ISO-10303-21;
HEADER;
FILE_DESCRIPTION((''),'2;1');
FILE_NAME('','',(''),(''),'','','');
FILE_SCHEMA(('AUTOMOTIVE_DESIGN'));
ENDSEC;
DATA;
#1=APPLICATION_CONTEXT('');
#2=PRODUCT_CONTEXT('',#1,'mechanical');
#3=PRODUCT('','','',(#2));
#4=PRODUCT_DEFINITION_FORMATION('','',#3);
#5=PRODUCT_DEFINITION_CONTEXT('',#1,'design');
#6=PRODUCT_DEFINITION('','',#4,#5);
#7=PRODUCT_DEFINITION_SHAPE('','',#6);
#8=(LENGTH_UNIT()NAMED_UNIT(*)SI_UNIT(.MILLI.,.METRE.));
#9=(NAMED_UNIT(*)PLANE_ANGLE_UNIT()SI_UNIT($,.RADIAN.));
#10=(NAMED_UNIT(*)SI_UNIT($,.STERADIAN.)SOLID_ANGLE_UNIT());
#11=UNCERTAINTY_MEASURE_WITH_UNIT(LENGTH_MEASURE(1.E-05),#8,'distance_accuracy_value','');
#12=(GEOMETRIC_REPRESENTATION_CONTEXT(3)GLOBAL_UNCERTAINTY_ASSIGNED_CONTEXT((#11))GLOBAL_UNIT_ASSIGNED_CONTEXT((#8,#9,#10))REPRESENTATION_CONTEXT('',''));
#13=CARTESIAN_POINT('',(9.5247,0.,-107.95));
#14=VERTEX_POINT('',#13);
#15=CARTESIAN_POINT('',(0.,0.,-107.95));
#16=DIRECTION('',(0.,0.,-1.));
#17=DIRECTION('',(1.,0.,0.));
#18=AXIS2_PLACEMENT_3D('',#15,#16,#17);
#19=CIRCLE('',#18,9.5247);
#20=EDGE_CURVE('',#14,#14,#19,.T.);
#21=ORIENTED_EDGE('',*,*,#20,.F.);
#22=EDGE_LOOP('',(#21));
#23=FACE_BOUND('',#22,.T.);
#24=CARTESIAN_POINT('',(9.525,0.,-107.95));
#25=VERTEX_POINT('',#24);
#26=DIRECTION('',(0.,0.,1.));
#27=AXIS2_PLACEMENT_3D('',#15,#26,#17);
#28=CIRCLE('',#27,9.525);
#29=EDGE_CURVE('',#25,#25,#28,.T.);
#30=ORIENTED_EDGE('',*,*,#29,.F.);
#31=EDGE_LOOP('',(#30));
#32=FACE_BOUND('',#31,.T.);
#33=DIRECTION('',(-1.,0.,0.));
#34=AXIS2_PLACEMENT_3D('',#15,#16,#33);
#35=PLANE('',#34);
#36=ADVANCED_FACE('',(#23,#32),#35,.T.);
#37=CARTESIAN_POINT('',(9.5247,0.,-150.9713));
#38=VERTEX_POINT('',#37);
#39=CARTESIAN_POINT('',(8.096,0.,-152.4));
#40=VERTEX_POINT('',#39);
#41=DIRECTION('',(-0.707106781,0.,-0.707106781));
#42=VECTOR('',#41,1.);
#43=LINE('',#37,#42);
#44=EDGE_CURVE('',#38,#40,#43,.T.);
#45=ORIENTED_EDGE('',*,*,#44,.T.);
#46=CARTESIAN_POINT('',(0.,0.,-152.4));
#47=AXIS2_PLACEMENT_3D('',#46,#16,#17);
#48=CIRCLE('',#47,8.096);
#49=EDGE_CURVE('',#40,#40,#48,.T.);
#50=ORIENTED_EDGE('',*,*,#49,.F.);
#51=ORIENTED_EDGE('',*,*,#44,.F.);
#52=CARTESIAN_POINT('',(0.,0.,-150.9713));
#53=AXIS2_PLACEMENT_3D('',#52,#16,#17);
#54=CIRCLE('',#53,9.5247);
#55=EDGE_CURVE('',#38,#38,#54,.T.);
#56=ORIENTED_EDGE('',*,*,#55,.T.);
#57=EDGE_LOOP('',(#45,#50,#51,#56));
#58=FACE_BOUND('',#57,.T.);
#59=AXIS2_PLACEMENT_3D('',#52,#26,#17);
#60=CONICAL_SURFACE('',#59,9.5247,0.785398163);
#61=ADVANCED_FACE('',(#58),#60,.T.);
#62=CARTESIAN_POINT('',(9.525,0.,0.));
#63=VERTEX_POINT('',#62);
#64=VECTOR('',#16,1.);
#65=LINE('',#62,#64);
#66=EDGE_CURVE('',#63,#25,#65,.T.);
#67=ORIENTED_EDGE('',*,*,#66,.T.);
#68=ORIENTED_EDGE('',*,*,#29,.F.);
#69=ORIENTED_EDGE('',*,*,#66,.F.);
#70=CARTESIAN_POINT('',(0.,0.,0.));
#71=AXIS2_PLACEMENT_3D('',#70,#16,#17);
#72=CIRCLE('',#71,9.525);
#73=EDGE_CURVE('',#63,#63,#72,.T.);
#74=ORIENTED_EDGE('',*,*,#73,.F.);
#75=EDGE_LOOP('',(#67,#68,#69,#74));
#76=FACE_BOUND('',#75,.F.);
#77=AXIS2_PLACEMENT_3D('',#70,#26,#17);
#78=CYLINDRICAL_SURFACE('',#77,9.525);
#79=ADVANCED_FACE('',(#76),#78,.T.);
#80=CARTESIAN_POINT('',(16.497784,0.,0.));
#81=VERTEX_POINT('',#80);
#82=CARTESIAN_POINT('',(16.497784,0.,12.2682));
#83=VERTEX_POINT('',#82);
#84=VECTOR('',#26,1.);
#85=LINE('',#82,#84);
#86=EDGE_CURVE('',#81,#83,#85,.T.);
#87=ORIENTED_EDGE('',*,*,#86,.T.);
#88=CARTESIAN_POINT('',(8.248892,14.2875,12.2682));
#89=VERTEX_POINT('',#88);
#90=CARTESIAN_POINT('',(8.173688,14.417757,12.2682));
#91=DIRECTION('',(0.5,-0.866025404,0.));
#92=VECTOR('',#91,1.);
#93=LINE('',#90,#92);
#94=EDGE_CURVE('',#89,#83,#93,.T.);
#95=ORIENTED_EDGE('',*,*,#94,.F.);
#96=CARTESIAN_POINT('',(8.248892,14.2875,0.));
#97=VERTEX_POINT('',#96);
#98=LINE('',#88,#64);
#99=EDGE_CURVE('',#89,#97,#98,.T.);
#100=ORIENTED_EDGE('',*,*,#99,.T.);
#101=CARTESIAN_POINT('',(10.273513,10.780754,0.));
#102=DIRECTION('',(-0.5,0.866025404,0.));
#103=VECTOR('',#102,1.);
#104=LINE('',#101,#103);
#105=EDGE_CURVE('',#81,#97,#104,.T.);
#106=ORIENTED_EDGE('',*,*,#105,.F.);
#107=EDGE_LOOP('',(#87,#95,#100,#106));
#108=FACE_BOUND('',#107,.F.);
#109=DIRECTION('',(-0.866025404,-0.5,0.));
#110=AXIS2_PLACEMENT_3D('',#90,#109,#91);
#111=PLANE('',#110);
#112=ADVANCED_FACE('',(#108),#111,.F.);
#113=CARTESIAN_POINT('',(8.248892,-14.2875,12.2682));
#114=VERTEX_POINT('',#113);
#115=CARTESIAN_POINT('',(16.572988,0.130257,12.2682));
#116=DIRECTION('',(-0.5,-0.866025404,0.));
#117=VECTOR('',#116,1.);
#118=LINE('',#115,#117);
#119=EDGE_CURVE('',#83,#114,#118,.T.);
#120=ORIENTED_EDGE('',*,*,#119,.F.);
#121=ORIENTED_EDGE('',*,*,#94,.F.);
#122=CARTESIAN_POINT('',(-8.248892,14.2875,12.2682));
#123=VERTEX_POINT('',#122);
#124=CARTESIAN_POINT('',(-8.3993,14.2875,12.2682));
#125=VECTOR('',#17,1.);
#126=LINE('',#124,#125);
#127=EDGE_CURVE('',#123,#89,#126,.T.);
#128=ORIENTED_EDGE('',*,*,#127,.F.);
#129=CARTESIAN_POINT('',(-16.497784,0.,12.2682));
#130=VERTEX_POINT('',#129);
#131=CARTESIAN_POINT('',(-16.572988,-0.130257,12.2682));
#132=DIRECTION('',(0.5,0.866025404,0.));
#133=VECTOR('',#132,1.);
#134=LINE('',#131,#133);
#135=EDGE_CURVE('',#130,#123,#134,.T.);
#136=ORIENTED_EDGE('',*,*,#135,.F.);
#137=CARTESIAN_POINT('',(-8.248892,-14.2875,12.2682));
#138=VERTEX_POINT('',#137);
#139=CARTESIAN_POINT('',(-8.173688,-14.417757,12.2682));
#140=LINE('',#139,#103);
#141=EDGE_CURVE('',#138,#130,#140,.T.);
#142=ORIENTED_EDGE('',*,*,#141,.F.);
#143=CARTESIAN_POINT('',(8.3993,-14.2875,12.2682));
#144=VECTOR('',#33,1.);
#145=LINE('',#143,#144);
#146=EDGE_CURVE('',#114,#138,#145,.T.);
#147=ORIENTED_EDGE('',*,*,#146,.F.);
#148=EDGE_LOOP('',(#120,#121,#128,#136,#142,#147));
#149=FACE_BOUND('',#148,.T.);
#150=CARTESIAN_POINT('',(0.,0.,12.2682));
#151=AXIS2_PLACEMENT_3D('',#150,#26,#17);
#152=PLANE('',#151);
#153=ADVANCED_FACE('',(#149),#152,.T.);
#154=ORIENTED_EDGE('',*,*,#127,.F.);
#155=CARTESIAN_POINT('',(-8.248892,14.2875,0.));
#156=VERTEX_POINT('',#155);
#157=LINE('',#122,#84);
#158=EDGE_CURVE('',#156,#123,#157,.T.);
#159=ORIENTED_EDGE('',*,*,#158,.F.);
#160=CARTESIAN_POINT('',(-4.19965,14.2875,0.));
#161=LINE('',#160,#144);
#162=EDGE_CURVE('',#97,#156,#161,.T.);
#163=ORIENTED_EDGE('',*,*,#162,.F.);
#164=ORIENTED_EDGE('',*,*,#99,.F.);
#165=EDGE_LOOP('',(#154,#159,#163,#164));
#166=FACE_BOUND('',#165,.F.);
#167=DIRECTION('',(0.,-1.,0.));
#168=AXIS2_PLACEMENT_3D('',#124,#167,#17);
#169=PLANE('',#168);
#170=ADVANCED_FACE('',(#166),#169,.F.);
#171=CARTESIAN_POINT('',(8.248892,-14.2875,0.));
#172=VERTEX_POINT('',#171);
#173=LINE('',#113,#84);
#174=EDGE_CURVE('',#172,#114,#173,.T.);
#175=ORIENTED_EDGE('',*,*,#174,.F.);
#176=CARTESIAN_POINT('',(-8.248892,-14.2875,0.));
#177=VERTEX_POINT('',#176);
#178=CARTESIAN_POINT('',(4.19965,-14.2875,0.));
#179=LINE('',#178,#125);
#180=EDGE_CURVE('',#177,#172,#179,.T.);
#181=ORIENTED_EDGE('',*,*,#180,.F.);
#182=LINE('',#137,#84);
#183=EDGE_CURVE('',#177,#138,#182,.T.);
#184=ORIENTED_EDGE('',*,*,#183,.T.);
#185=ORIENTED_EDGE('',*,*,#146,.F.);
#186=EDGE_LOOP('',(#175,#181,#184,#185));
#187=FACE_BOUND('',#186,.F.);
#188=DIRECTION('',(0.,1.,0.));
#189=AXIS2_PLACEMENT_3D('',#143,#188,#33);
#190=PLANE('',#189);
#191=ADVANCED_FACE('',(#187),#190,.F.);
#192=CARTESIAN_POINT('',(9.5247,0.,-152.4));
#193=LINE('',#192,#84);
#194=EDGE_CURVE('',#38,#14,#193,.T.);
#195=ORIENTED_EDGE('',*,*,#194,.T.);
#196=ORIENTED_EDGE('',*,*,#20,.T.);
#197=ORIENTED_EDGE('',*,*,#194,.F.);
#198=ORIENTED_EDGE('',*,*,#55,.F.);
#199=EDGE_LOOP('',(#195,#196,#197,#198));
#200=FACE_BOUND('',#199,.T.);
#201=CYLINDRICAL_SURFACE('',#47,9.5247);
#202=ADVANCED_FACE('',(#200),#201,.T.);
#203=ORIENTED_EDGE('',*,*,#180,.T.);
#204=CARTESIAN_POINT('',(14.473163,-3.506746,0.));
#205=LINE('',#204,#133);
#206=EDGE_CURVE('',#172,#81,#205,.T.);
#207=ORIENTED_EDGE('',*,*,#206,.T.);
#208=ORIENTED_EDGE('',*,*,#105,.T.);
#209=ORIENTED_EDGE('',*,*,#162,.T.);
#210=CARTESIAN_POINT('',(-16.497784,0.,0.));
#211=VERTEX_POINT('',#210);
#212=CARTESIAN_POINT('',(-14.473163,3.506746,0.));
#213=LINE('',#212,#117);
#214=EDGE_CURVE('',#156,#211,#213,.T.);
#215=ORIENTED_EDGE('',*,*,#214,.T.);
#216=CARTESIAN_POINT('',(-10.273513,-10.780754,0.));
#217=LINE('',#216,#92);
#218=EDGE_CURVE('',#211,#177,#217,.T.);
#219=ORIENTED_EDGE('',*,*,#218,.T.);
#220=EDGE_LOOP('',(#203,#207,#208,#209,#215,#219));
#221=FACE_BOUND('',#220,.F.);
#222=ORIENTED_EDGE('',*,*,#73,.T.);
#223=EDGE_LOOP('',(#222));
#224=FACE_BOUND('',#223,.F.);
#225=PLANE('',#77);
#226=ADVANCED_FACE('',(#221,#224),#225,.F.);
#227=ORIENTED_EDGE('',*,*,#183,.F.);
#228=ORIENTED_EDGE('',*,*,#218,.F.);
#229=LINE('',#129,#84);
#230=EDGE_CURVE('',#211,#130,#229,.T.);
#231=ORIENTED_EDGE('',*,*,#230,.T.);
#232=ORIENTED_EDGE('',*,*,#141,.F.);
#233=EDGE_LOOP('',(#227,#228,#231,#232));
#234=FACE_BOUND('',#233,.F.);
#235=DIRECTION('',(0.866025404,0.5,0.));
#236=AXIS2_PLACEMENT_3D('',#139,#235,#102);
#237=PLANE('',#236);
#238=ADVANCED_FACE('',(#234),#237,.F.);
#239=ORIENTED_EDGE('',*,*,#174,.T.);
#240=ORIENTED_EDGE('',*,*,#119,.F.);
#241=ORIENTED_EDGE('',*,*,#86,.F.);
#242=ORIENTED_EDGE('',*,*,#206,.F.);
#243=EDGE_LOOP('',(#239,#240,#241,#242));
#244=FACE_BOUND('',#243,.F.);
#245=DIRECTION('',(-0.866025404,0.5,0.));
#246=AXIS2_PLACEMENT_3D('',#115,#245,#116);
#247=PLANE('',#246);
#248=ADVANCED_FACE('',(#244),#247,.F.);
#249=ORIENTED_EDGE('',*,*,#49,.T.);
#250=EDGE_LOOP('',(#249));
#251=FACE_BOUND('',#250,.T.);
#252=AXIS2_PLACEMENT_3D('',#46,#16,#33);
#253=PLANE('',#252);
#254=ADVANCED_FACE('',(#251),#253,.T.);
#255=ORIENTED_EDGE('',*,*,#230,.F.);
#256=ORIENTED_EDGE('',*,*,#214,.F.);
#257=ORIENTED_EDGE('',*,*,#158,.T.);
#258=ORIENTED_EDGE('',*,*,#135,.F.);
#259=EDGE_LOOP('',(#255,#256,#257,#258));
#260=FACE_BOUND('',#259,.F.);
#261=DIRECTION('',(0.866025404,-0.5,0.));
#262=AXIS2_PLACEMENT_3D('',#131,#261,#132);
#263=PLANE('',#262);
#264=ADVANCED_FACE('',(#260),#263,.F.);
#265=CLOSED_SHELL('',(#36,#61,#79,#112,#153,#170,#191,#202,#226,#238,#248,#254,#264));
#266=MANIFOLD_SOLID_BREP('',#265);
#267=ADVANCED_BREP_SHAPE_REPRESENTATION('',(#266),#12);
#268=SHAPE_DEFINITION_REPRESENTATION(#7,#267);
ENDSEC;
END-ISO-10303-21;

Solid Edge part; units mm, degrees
sketch "Sketch1" plane through (0, 0, 0) normal (0, 0, 1) x (1, 0, 0)
  circle A0 centre (0, 0) radius 16.5735
  dimension "D1" = 33.147
extrude "Protrusion1" add sketch "Sketch1" along normal blind 12.2682
sketch "Sketch2" plane through (0, 0, 0) normal (0, 0, -1) x (1, 0, 0)
  circle A0 centre (0, 0) radius 9.525
extrude "Protrusion2" add sketch "Sketch2" along normal blind 152.4
sketch "Sketch3" plane through (0, 0, -152.4) normal (0, 0, -1) x (1, 0, 0)
  circle A0 centre (0, 0) radius 9.5247
extrude "Cutout1" cut sketch "Sketch3" against normal blind 44.45 flip side to cut
chamfer "Chamfer_1" distance 1.4287 angle 45 1 edges at (-9.5247, 0, -152.4)
sketch "Sketch4" plane through (0, 0, 12.2682) normal (0, 0, 1) x (1, 0, 0)
  line L0 (-8.3993, 14.2875) -> (8.3993, 14.2875)
  dimension "D1" = 28.575
extrude "Cutout2" cut sketch "Sketch4" against normal up to next material side at (0, 14.3375, 12.2682)
pattern_circular "Pattern1" count 6 over 360 about axis through (0, 0, 12.2682) along (0, 0, 1) of "Cutout2"
properties part number "24101883"
